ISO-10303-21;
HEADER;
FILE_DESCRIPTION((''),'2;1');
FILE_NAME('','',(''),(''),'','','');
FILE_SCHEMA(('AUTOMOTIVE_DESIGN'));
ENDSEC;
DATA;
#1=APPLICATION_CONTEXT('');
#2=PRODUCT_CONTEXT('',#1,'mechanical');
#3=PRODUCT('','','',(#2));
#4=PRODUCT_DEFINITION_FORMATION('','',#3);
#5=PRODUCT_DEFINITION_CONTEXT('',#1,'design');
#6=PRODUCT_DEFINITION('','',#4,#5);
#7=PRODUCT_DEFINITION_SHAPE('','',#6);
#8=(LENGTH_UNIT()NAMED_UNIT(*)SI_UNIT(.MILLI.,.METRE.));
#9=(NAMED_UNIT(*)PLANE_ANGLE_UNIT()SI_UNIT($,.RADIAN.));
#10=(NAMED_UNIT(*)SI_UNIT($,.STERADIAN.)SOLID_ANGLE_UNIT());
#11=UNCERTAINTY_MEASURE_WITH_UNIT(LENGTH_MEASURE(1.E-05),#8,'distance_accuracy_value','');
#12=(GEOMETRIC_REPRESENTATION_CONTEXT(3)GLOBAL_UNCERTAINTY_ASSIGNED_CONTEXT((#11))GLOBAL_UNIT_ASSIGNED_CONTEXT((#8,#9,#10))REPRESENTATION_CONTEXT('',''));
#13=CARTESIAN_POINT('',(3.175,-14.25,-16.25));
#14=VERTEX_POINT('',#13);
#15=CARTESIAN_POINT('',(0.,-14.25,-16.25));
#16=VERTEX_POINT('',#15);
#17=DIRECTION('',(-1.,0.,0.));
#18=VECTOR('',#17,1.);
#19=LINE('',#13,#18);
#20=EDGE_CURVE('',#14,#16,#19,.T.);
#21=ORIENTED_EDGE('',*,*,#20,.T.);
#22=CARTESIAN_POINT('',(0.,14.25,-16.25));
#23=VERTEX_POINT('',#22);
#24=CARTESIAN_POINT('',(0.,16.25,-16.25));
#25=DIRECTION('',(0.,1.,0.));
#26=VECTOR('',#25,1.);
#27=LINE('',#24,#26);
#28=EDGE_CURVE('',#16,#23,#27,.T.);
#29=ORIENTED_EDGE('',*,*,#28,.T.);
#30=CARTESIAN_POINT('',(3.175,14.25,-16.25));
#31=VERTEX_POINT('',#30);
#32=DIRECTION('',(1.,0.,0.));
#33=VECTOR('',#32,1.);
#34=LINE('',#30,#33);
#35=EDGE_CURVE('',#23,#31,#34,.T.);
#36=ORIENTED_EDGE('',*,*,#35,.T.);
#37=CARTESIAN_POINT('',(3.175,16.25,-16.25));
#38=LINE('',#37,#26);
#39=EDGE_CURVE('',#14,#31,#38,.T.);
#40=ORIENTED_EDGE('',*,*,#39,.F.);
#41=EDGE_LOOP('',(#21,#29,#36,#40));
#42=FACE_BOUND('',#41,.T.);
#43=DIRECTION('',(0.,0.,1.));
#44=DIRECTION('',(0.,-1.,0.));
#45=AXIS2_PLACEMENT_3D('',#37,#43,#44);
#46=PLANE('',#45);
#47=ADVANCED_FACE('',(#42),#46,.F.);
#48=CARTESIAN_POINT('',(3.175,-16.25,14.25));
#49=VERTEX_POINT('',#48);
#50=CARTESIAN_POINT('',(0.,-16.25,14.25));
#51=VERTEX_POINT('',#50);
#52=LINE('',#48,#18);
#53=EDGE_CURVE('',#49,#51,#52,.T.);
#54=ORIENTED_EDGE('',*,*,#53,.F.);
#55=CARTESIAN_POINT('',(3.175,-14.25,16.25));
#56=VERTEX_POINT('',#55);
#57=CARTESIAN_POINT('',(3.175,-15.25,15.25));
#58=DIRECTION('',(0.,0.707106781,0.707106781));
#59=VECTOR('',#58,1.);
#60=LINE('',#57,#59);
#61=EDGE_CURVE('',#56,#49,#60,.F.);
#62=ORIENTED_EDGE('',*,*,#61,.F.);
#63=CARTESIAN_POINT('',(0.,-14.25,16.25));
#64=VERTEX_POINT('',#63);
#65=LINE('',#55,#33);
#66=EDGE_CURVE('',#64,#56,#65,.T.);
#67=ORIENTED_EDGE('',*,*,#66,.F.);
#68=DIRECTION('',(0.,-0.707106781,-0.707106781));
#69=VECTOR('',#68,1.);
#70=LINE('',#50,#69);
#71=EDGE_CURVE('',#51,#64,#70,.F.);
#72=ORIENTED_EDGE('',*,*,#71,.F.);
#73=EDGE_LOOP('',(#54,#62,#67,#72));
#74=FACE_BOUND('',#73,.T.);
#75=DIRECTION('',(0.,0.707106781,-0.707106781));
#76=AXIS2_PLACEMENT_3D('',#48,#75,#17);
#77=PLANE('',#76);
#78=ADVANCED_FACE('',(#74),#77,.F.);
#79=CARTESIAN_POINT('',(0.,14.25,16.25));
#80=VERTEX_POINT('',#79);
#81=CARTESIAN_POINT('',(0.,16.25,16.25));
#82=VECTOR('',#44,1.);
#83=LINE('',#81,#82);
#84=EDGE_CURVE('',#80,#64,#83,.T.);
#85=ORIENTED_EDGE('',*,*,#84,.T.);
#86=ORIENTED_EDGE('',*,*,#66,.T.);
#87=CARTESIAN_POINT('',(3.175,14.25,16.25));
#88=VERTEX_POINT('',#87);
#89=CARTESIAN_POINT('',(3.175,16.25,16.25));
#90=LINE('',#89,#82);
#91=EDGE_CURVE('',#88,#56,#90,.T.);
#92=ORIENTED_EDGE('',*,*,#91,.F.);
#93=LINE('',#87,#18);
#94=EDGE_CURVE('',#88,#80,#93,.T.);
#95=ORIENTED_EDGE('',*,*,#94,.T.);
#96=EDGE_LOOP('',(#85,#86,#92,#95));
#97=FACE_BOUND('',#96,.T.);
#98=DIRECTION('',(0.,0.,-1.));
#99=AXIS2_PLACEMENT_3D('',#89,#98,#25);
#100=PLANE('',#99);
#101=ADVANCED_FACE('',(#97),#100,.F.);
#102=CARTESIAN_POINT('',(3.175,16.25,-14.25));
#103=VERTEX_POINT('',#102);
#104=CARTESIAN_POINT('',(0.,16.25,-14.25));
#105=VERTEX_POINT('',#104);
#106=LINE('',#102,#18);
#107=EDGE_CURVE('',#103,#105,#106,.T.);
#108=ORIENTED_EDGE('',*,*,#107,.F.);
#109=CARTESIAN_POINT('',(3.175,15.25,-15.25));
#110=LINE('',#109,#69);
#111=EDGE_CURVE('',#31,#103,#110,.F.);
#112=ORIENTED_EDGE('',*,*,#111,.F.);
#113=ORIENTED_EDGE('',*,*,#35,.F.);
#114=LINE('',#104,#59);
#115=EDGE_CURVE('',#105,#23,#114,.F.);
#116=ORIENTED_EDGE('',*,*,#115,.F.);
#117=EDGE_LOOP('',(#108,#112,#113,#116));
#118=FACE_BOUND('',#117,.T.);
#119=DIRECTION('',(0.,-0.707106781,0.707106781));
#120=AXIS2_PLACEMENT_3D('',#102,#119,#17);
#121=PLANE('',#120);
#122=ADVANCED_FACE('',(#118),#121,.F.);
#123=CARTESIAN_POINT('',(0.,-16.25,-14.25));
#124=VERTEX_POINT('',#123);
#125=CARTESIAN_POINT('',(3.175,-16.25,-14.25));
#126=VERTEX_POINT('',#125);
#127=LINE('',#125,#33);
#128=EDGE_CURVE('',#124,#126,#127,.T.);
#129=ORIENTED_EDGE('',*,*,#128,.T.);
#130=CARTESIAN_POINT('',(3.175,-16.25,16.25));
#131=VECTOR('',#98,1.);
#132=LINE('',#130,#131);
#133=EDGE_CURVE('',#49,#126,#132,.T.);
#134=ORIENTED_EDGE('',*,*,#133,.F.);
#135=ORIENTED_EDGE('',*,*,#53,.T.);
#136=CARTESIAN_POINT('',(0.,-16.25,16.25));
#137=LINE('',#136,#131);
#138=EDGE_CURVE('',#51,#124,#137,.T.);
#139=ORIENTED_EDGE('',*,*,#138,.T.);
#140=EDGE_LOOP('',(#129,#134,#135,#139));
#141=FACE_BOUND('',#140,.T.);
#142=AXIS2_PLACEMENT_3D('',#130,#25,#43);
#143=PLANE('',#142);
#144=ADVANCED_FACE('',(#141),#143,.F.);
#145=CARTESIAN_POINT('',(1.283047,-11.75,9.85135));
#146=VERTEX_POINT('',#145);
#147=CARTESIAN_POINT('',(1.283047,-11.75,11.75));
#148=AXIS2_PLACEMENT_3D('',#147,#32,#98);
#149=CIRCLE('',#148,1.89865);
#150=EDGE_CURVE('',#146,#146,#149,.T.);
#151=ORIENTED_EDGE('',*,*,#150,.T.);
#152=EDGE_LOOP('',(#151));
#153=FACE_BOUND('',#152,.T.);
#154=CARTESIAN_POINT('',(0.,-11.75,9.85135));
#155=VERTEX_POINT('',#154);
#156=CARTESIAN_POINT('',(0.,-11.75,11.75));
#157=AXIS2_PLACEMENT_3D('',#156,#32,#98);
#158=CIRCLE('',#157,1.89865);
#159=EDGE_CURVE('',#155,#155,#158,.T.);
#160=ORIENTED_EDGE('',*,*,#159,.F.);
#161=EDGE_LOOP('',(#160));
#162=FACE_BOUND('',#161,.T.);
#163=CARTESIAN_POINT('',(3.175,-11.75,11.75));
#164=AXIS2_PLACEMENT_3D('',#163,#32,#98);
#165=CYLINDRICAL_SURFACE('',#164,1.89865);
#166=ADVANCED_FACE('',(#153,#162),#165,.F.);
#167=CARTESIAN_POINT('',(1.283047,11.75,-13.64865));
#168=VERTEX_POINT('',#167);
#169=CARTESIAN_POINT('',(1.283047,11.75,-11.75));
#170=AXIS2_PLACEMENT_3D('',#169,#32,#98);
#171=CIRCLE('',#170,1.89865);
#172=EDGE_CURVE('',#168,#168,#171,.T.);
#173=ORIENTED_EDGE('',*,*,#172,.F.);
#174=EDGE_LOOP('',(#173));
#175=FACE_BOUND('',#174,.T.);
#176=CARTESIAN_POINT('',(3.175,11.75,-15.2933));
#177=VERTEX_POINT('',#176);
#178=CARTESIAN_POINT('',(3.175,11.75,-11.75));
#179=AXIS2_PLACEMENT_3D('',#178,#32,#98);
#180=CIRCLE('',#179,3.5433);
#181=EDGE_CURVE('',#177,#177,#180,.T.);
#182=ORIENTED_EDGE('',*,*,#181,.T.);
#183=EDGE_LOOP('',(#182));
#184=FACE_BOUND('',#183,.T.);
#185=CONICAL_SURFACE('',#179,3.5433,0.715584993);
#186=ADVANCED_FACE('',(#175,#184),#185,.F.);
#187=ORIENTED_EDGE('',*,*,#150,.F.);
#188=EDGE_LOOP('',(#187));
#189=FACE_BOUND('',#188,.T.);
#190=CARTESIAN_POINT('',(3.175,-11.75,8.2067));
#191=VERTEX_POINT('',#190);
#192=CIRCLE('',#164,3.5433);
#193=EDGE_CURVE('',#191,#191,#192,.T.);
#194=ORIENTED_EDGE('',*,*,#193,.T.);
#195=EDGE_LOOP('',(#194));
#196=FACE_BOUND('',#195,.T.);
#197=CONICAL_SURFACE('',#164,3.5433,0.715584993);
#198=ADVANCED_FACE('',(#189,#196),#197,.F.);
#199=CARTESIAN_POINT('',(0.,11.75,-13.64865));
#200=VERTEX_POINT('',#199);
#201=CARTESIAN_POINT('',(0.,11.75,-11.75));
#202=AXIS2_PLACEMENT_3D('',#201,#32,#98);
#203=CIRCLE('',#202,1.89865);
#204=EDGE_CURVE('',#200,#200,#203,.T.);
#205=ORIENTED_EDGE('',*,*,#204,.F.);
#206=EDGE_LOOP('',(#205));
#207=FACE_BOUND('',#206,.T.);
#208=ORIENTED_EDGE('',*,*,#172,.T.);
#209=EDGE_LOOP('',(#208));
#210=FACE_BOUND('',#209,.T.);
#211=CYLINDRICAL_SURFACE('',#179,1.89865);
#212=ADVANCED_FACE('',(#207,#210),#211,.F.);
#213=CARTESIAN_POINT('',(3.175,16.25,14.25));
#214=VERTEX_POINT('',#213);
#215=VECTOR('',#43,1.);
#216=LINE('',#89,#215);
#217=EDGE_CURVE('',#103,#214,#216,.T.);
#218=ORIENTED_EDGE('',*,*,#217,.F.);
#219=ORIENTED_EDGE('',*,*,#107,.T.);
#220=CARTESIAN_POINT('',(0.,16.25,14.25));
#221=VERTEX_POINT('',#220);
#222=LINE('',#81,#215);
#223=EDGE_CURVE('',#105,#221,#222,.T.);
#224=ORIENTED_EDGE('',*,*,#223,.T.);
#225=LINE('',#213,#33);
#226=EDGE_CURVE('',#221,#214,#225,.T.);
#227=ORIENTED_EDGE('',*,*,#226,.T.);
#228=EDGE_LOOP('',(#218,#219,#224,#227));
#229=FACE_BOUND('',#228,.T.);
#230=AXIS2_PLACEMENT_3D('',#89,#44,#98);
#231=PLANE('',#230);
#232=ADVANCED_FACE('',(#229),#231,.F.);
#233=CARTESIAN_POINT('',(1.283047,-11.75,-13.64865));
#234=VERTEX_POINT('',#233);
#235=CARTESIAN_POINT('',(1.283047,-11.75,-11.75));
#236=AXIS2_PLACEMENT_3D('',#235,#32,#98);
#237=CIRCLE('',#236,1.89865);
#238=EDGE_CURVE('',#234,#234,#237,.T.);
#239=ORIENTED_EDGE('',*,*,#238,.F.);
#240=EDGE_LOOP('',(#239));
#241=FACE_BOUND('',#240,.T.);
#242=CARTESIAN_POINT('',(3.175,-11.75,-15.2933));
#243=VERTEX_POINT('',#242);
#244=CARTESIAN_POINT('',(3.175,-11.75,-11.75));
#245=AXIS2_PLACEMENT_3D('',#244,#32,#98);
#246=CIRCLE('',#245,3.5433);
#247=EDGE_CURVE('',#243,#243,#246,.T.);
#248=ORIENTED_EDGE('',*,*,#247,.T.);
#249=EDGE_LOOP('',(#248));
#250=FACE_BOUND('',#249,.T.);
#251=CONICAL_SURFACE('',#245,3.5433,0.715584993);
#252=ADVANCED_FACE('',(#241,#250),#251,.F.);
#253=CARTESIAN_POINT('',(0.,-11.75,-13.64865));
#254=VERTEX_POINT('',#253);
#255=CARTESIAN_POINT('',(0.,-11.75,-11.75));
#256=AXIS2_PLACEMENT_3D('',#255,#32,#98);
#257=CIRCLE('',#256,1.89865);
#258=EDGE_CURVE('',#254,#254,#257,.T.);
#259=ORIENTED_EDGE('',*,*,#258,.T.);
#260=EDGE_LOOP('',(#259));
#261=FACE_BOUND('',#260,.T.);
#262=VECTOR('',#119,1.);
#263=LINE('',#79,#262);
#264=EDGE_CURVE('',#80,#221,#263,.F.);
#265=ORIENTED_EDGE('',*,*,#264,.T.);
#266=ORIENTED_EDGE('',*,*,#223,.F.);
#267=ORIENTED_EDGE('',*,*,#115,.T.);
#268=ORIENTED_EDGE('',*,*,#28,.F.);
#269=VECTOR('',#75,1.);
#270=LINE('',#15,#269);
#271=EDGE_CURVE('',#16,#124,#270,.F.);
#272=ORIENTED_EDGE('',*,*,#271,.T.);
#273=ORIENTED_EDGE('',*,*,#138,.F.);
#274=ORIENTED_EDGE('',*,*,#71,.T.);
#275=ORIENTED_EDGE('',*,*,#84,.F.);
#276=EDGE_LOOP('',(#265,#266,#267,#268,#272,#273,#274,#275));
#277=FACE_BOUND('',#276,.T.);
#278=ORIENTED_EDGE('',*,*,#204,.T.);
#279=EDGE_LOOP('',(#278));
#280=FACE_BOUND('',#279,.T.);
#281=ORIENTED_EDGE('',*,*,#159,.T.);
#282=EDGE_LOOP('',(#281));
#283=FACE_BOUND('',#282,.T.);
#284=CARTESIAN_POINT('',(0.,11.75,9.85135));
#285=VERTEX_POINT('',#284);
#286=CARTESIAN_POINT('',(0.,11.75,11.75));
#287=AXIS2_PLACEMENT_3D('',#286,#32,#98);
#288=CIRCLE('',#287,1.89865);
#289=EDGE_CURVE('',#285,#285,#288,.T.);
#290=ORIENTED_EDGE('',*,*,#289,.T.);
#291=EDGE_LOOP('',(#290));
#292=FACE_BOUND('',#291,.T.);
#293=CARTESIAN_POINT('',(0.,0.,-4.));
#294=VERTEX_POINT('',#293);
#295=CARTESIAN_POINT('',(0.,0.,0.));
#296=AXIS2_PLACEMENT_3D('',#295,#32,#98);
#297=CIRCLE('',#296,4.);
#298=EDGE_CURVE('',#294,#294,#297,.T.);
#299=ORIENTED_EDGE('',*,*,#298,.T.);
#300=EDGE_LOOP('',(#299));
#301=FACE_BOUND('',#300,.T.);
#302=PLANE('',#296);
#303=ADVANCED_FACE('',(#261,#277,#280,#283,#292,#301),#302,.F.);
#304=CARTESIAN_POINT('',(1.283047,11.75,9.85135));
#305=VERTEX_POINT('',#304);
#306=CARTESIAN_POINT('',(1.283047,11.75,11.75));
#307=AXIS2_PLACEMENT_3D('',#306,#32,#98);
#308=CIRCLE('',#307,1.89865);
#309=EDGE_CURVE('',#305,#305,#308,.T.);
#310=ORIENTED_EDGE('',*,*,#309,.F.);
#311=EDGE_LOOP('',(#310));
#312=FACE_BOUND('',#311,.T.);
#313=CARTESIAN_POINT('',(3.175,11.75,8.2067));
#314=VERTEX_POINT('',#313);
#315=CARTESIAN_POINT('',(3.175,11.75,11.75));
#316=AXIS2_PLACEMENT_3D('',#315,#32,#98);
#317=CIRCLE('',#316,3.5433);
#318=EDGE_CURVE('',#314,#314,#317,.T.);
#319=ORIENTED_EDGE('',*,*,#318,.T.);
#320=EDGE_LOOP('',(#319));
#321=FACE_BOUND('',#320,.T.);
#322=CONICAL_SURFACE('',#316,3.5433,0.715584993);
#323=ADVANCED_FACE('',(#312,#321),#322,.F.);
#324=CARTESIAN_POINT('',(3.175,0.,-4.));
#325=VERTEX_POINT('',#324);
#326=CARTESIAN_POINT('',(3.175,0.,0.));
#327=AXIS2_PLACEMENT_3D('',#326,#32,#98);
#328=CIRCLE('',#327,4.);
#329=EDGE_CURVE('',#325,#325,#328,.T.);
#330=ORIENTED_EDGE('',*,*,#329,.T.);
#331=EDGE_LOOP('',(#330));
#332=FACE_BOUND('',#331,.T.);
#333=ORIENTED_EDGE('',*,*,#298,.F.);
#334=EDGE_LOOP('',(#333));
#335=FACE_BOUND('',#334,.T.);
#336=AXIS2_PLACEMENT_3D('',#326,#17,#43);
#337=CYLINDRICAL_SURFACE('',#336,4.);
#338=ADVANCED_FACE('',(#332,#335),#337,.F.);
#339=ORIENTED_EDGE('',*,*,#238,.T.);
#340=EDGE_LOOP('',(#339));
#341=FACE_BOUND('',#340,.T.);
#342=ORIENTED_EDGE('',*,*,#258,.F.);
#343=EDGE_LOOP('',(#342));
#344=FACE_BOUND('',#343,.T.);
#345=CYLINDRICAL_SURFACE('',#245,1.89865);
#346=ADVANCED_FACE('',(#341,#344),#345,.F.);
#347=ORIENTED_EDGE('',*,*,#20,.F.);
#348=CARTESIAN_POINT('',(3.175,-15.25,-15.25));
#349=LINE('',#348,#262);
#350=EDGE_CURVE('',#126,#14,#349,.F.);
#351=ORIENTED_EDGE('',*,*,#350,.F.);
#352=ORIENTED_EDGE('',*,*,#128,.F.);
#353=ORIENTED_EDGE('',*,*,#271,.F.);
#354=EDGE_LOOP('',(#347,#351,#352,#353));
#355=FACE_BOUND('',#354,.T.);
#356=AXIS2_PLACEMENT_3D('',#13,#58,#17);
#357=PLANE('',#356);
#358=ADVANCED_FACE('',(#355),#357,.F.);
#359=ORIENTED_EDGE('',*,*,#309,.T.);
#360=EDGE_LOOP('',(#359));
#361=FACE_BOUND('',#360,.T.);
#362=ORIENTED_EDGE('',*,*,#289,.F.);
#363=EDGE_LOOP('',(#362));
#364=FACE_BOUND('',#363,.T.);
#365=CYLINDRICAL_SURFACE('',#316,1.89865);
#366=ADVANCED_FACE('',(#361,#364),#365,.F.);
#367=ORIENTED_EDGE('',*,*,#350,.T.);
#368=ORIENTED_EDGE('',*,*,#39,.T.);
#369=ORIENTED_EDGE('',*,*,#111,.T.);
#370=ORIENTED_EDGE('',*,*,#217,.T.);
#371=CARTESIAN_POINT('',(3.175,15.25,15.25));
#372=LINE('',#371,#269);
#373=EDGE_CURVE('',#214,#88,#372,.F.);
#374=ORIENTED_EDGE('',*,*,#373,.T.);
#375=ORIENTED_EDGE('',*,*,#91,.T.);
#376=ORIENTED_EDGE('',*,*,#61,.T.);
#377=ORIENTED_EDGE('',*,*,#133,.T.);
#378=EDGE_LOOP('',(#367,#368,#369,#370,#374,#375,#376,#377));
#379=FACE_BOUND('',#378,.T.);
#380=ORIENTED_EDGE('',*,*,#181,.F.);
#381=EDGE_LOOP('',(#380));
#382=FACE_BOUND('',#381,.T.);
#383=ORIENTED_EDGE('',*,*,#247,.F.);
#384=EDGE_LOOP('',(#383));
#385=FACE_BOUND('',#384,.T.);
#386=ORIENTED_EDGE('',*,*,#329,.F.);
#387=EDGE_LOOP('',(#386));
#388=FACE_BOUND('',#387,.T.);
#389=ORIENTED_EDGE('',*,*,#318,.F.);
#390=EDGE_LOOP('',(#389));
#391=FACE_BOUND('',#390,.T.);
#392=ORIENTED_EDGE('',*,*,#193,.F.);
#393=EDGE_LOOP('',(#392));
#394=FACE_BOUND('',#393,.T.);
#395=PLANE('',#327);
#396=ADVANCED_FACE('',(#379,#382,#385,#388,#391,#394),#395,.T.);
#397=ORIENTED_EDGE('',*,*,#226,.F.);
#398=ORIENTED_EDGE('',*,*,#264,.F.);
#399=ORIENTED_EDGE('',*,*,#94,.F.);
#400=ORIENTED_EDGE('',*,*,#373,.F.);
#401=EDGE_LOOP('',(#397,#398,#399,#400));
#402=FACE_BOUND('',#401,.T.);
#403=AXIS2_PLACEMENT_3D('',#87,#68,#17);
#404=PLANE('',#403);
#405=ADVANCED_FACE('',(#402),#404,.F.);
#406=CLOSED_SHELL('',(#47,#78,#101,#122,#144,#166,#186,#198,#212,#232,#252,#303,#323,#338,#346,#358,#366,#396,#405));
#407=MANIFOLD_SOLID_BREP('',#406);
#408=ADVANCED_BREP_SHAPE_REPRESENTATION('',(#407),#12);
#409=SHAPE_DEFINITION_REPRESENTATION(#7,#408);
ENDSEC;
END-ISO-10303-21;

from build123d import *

# Parameters (mm, degrees)
SKETCH1_W                                     = 32.5
SKETCH1_H                                     = 32.5
SKETCH1_R                                     = 4
BOSS_EXTRUDE1_DEPTH                           = 3.175
CHAMFER1_SIZE                                 = 2
CSK_FOR_6_FLAT_HEAD_MACHINE_SCREW1_AT_2_COUNT = 2
CSK_FOR_6_FLAT_HEAD_MACHINE_SCREW1_AT_2_PITCH = 23.5
CSK_FOR_6_FLAT_HEAD_MACHINE_SCREW1_AT_3_COUNT = 2
CSK_FOR_6_FLAT_HEAD_MACHINE_SCREW1_AT_3_PITCH = 33.234018716
CSK_FOR_6_FLAT_HEAD_MACHINE_SCREW1_AT_4_COUNT = 2
CSK_FOR_6_FLAT_HEAD_MACHINE_SCREW1_AT_4_PITCH = 23.5


with BuildPart() as part:
    # Sketch1 → Boss-Extrude1 (new body)
    with BuildSketch(Plane(origin=(0, 0, 0), x_dir=(0, 0, -1), z_dir=(1, 0, 0))):
        Rectangle(SKETCH1_W, SKETCH1_H)
        Circle(SKETCH1_R, mode=Mode.SUBTRACT)
    extrude(amount=BOSS_EXTRUDE1_DEPTH)

    # Chamfer1
    chamfer1_edges = [part.edges().sort_by_distance(p)[0] for p in [
        (1.5875, -16.25, -16.25),
        (1.5875, -16.25, 16.25),
        (1.5875, 16.25, -16.25),
        (1.5875, 16.25, 16.25),
    ]]
    chamfer(chamfer1_edges, length=CHAMFER1_SIZE)

    # Sketch3 → CSK for #6 Flat Head Machine Screw1 (revolve, cut)
    with BuildSketch(Plane(origin=(3.175, 11.75, 11.75), x_dir=(0, 0, -1), z_dir=(0, 1, 0))):
        Polygon((0, 0), (0, 3.175), (1.89865, 3.175), (1.89865, 1.891953401), (3.5433, 0), align=None)
    csk_for_6_flat_head_machine_screw1 = revolve(axis=Axis((9.525, 11.75, 11.75), (-1, 0, 0)), mode=Mode.SUBTRACT)

    # CSK for #6 Flat Head Machine Screw1 at 2: CSK for #6 Flat Head Machine Screw1 ×2
    with Locations(*[(0, 0, -i * CSK_FOR_6_FLAT_HEAD_MACHINE_SCREW1_AT_2_PITCH) for i in range(1, CSK_FOR_6_FLAT_HEAD_MACHINE_SCREW1_AT_2_COUNT)]):
        add(csk_for_6_flat_head_machine_screw1, mode=Mode.SUBTRACT)

    # CSK for #6 Flat Head Machine Screw1 at 3: CSK for #6 Flat Head Machine Screw1 ×2
    with Locations(*[Vector(0, -0.7071067811865476, -0.7071067811865476) * (i * CSK_FOR_6_FLAT_HEAD_MACHINE_SCREW1_AT_3_PITCH) for i in range(1, CSK_FOR_6_FLAT_HEAD_MACHINE_SCREW1_AT_3_COUNT)]):
        add(csk_for_6_flat_head_machine_screw1, mode=Mode.SUBTRACT)

    # CSK for #6 Flat Head Machine Screw1 at 4: CSK for #6 Flat Head Machine Screw1 ×2
    with Locations(*[(0, -i * CSK_FOR_6_FLAT_HEAD_MACHINE_SCREW1_AT_4_PITCH, 0) for i in range(1, CSK_FOR_6_FLAT_HEAD_MACHINE_SCREW1_AT_4_COUNT)]):
        add(csk_for_6_flat_head_machine_screw1, mode=Mode.SUBTRACT)


solid = part.part
